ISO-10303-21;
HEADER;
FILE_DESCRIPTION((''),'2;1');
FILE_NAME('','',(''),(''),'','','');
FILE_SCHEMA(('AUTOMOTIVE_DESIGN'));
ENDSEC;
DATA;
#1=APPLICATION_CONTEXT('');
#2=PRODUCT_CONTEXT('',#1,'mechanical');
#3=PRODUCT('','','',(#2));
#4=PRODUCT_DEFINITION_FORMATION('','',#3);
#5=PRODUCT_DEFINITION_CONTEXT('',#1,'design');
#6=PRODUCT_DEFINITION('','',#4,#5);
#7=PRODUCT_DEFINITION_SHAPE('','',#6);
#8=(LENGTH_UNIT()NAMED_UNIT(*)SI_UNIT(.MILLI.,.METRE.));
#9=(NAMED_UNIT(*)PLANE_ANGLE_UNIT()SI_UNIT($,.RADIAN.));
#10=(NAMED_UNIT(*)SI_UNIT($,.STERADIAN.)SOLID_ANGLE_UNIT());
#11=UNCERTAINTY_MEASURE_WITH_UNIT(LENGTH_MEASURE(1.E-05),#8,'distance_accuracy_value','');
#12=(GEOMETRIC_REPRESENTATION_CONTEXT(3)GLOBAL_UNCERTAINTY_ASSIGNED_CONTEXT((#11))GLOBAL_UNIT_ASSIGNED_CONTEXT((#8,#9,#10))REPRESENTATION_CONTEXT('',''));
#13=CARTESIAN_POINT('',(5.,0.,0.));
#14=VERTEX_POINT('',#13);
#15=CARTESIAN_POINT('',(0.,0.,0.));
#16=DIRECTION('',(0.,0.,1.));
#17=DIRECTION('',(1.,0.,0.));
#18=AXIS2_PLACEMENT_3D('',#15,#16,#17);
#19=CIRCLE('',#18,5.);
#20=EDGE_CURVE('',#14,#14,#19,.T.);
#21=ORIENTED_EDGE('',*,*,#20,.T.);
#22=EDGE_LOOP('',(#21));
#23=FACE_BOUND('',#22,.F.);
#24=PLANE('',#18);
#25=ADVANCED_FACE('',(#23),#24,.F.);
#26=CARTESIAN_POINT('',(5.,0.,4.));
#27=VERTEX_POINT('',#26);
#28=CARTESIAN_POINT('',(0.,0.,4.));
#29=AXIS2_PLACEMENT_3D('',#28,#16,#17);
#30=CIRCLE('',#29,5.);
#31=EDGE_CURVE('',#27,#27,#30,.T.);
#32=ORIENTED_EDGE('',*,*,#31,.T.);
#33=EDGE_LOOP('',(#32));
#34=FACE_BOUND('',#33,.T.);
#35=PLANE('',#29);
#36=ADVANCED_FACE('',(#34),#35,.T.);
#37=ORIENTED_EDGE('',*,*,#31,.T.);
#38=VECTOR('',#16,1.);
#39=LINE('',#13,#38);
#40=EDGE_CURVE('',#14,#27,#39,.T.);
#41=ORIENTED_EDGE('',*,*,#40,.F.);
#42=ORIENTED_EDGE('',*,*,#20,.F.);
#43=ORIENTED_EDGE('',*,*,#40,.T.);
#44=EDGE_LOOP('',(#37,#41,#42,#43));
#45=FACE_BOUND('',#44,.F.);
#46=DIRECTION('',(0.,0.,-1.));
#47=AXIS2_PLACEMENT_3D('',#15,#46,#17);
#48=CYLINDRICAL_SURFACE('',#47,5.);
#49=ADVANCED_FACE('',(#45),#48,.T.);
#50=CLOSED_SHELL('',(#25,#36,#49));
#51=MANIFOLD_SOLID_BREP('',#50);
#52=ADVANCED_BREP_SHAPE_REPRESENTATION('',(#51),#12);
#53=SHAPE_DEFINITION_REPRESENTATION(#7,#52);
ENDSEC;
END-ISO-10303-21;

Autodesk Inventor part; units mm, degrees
ref_plane "YZ Plane" through (0, 0, 0) normal (1, 0, 0) x (0, 1, 0)
ref_plane "XZ Plane" through (0, 0, 0) normal (0, 1, 0) x (-1, 0, 0)
ref_plane "XY Plane" through (0, 0, 0) normal (0, 0, 1) x (1, 0, 0)
sketch "Skizze1" plane through (0, 0, 0) normal (0, 0, 1) x (1, 0, 0)
  circle A0 centre (0, 0) radius 5
  dimension "d0" = 10
extrude "Extrusion1" add sketch "Skizze1" along normal blind 4
properties part number "Gummifüße" material "Gummi, Silikon"
